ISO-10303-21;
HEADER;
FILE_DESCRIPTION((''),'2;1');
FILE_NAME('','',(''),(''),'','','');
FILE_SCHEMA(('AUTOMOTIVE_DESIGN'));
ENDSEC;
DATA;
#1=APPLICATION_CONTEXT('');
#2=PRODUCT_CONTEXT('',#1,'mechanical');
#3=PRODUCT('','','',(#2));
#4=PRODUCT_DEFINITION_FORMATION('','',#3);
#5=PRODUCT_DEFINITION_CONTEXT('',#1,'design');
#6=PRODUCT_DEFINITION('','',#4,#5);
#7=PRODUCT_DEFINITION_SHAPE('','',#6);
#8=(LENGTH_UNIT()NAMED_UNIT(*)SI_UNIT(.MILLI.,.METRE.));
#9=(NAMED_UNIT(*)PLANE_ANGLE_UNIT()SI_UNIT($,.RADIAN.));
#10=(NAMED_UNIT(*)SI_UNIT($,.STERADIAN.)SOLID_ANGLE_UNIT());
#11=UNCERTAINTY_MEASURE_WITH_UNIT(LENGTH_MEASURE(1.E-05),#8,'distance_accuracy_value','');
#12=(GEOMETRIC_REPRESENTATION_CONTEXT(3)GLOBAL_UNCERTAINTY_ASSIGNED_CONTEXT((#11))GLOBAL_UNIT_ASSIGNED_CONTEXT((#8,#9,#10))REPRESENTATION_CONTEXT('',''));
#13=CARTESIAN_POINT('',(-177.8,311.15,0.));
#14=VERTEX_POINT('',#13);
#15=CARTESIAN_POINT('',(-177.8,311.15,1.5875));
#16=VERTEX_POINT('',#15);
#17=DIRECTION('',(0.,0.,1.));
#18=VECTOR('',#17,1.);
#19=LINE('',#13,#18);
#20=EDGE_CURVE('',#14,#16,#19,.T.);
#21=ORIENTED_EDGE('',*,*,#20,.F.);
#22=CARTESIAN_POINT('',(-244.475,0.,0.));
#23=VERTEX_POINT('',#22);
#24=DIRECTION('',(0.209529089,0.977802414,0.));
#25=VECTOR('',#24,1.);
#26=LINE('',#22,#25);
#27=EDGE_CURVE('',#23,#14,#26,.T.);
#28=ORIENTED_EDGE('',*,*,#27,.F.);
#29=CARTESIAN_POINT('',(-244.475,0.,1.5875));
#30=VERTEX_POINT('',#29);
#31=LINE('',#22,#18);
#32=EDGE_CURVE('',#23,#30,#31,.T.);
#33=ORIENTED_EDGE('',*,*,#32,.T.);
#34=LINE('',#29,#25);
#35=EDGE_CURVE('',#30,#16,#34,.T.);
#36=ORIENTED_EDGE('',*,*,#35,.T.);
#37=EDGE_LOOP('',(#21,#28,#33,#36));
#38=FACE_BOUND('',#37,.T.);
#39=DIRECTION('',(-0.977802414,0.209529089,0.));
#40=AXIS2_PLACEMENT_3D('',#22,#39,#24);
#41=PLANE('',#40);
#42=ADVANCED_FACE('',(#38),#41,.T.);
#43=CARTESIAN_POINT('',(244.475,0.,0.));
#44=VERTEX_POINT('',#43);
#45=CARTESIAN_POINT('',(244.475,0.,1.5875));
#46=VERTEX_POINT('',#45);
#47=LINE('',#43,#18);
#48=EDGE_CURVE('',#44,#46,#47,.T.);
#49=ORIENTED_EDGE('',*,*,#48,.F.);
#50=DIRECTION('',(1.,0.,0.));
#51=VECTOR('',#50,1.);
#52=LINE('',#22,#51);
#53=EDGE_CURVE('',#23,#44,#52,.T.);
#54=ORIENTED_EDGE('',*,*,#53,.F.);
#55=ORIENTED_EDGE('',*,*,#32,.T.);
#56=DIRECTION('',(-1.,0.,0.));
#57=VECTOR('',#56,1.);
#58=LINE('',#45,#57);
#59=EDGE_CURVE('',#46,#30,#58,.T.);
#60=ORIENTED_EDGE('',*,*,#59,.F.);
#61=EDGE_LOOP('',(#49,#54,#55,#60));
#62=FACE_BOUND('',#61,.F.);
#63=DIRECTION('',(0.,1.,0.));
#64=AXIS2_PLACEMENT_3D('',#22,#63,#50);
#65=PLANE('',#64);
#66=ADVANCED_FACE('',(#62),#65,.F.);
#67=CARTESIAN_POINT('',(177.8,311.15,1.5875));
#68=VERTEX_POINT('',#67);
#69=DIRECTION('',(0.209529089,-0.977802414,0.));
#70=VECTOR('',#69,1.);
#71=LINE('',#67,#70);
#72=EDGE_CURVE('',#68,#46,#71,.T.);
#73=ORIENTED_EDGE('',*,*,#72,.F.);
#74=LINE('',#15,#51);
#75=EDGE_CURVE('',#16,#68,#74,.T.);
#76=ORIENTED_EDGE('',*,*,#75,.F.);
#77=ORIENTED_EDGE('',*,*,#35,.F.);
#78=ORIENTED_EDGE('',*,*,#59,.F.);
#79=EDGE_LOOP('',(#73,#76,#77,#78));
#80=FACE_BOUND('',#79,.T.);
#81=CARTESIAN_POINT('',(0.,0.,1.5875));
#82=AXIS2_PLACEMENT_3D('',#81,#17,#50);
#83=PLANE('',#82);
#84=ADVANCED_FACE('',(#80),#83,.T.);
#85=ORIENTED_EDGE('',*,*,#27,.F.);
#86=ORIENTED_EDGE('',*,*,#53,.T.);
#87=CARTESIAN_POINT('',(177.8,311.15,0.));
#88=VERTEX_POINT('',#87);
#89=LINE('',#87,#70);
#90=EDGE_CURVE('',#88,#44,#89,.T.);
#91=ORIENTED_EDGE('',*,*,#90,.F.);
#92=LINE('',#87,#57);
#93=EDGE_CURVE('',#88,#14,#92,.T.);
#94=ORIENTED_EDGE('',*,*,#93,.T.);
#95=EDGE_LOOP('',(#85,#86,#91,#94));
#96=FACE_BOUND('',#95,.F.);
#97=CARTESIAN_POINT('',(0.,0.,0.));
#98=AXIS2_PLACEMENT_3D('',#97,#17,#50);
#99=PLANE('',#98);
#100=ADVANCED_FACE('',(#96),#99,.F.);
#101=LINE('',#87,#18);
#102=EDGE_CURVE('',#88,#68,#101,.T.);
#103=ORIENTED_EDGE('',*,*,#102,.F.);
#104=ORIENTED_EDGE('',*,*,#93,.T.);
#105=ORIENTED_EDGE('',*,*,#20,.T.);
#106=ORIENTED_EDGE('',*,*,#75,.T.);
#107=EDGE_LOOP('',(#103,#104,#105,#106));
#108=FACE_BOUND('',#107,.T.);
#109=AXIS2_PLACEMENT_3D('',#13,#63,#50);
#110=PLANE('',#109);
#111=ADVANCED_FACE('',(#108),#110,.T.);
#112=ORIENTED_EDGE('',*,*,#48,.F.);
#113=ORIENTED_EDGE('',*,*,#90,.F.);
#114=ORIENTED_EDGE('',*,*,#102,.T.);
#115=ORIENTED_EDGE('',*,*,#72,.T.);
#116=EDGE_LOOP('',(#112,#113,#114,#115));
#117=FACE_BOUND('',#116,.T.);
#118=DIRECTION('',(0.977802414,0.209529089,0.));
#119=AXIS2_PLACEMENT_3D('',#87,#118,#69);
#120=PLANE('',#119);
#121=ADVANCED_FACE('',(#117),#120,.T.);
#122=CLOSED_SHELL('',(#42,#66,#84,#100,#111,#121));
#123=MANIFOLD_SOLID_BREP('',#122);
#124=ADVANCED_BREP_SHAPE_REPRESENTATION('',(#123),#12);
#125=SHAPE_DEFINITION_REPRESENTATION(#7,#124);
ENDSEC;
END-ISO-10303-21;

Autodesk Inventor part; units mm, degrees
ref_plane "YZ Plane" through (0, 0, 0) normal (1, 0, 0) x (0, 1, 0)
ref_plane "XZ Plane" through (0, 0, 0) normal (0, 1, 0) x (-1, 0, 0)
ref_plane "XY Plane" through (0, 0, 0) normal (0, 0, 1) x (1, 0, 0)
sketch "Sketch1" plane through (0, 0, 0) normal (0, 0, 1) x (1, 0, 0)
  line L0 (-342.265, 0) -> (342.265, 0) projected
  line L1 (0, -62.23) -> (0, 373.38) projected
  line L2 (-177.8, 311.15) -> (177.8, 311.15)
  line L3 (177.8, 311.15) -> (244.475, 0)
  line L4 (244.475, 0) -> (-244.475, 0)
  line L5 (-244.475, 0) -> (-177.8, 311.15)
  point P0 (0, 0)
  point P1 (0, 311.15)
  dimension "d0" = 355.6
  dimension "d1" = 488.95
  dimension "d5" = 311.15
extrude "Extrusion1" add sketch "Sketch1" along normal blind 1.5875
properties part number "front window" material "Polycarbonate, Clear"
